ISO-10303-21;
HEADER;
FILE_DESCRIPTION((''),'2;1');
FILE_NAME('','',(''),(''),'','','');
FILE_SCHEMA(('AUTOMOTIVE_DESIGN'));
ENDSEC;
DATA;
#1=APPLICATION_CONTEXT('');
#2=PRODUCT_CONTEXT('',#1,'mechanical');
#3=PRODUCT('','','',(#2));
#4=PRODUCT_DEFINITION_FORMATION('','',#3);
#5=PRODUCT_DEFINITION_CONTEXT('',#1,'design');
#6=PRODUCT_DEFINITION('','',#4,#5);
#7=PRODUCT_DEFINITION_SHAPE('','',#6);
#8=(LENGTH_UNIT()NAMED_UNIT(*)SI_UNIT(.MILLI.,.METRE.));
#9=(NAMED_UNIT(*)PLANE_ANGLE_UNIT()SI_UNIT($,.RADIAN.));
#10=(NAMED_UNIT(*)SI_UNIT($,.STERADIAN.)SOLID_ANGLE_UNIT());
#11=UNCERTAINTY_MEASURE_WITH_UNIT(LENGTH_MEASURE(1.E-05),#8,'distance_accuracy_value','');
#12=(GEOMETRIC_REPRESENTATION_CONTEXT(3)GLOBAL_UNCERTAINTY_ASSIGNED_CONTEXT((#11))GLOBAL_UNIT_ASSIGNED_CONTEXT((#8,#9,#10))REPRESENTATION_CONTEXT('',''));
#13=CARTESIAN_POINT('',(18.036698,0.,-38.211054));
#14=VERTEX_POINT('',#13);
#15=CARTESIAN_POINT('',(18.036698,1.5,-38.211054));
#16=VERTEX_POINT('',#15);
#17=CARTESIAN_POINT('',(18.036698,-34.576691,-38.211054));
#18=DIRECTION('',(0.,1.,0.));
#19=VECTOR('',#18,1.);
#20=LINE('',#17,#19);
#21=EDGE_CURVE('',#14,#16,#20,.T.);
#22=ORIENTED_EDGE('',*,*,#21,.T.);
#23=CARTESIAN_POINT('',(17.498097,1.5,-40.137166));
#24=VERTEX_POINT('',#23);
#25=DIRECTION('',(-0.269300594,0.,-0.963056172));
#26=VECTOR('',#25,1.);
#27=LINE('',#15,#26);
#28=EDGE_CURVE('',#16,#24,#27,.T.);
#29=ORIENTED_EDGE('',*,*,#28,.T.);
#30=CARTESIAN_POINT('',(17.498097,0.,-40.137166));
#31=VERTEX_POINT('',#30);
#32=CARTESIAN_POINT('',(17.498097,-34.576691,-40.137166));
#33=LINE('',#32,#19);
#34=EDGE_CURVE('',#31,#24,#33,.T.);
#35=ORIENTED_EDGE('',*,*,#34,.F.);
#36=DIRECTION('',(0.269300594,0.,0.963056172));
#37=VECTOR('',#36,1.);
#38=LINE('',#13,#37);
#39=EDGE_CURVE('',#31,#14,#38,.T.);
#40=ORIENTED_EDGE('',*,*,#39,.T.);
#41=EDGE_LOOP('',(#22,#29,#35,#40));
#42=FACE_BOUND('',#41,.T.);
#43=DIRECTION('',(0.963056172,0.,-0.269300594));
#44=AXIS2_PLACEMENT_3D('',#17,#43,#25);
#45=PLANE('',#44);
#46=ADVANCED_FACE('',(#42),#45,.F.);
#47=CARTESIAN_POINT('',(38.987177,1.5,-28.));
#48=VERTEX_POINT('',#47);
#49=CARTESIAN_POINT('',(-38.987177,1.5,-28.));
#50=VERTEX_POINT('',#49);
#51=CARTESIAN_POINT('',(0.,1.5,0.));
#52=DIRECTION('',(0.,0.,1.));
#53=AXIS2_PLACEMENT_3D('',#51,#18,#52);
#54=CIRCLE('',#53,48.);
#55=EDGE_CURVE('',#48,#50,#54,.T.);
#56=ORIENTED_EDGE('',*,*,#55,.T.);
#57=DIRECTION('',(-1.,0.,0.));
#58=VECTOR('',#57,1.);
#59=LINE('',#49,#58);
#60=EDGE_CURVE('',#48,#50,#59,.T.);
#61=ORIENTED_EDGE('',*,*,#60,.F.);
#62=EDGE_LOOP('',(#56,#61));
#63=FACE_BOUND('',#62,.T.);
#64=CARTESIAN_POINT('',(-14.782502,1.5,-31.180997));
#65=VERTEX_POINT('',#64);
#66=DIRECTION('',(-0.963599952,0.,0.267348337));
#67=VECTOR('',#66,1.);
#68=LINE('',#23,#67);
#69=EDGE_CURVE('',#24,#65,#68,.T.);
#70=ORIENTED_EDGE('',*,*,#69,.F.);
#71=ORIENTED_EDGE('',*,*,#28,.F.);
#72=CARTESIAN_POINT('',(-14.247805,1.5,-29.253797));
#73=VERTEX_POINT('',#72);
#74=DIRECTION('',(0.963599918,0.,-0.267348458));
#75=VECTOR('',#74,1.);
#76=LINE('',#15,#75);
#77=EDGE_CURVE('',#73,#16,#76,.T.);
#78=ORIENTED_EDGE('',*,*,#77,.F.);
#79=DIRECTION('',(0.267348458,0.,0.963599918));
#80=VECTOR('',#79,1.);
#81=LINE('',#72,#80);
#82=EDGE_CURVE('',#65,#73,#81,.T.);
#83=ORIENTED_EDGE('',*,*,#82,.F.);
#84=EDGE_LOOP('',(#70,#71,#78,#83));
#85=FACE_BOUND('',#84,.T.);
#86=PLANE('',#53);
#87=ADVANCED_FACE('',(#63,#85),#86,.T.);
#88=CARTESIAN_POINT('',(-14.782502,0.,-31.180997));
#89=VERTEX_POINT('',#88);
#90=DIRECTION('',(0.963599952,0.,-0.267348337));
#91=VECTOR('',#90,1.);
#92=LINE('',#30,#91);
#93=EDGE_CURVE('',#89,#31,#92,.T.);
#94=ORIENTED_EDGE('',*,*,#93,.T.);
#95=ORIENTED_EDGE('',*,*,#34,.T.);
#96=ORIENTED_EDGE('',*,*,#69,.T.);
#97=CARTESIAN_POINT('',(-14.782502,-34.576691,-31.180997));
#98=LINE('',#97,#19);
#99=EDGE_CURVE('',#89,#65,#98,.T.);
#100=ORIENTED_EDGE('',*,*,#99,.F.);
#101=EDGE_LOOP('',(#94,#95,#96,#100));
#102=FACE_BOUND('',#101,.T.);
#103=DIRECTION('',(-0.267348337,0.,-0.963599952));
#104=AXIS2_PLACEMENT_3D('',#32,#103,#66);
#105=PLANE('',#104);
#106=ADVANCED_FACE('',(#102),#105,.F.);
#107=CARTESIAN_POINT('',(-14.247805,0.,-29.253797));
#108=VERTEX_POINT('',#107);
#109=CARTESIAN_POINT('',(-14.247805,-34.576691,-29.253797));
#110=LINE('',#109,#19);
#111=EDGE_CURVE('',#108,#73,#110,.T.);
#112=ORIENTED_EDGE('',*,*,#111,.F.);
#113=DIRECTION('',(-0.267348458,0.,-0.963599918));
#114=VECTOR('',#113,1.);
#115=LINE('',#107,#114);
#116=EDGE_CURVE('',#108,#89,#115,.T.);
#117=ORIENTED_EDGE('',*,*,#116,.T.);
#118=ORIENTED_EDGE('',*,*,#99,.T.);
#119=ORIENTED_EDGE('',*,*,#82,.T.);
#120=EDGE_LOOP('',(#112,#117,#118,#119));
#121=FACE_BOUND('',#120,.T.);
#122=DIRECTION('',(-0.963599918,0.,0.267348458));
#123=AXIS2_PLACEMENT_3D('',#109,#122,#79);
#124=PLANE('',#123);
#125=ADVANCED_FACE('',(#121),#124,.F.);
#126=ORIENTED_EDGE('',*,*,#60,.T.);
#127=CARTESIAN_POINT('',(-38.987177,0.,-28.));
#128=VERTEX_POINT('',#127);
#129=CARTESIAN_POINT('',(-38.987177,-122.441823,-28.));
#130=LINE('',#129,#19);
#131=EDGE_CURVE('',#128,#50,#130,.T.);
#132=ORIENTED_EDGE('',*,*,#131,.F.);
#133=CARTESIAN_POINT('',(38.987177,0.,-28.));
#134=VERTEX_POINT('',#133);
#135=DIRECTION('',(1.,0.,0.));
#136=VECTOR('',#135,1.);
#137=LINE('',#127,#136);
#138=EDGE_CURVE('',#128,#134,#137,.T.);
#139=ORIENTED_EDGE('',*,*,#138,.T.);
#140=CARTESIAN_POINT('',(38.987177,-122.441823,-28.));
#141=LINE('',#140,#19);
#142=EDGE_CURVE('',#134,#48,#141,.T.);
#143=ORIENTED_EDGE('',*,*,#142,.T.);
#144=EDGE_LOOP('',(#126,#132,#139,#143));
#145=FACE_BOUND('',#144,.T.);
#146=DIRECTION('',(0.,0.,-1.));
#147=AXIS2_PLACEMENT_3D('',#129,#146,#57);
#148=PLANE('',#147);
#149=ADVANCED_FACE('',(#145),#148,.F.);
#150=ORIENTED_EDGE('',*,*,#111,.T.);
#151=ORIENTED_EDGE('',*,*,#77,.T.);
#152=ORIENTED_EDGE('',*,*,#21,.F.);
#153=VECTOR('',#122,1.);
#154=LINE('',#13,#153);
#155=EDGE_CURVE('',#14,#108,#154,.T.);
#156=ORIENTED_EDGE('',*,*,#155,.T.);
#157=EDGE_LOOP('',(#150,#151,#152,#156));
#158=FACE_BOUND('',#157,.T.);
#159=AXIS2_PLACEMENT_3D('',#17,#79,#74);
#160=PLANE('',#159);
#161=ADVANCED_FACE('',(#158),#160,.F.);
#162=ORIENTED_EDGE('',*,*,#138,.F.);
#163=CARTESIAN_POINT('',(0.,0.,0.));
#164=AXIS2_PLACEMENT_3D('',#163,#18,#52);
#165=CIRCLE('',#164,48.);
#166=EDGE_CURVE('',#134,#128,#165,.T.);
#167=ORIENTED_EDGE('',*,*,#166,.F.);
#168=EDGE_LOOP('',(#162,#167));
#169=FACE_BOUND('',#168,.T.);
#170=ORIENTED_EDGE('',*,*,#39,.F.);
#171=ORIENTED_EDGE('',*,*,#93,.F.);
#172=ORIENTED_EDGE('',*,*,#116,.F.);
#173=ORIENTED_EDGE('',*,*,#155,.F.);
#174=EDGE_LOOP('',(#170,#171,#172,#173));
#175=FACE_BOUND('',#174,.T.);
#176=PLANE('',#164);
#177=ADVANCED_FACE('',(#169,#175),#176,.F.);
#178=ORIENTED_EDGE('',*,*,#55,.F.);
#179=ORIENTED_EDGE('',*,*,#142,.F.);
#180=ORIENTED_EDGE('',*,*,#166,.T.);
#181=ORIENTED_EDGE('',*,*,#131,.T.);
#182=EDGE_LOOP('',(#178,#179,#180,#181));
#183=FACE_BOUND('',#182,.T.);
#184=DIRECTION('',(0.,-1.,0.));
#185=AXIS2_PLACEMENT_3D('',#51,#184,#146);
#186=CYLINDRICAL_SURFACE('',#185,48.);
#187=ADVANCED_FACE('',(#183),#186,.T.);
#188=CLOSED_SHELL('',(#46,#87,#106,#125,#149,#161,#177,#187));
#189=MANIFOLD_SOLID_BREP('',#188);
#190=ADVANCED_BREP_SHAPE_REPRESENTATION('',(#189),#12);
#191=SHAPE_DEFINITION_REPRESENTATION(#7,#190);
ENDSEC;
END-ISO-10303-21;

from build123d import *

# Parameters (mm, degrees)
SKETCH1_R           = 48
BOSS_EXTRUDE1_DEPTH = 1.5
CUT_EXTRUDE1_START  = -1.5
CUT_EXTRUDE1_DEPTH  = 1.5
CUT_EXTRUDE2_DEPTH  = 1.5


with BuildPart() as part:
    # Sketch1 → Boss-Extrude1 (new body)
    with BuildSketch(Plane(origin=(0, 0, 0), x_dir=(1, 0, 0), z_dir=(0, 1, 0))):
        with Locations(Location((0, 0, 0), (0, 0, 270))):
            Circle(SKETCH1_R)
    extrude(amount=BOSS_EXTRUDE1_DEPTH)

    # Sketch2 → Cut-Extrude1 (cut)
    with BuildSketch(Plane(origin=(0, 1.5, 0), x_dir=(1, 0, 0), z_dir=(0, 1, 0)).offset(CUT_EXTRUDE1_START)):
        with BuildLine():
            Line((-38.987177379, 28), (38.987177379, 28))
            ThreePointArc((38.987177379, 28), (0, -48), (-38.987177379, 28))
        make_face()
    extrude(amount=CUT_EXTRUDE1_DEPTH, mode=Mode.SUBTRACT)

    # Sketch3 → Cut-Extrude2 (cut)
    with BuildSketch(Plane(origin=(0, 1.5, 0), x_dir=(1, 0, 0), z_dir=(0, 1, 0))):
        Polygon((17.498096782, 40.137165991), (-14.782501595, 31.180996698), (-14.24780465, 29.253796759), (18.036697969, 38.211053647), align=None)
    extrude(amount=-CUT_EXTRUDE2_DEPTH, mode=Mode.SUBTRACT)


solid = part.part
